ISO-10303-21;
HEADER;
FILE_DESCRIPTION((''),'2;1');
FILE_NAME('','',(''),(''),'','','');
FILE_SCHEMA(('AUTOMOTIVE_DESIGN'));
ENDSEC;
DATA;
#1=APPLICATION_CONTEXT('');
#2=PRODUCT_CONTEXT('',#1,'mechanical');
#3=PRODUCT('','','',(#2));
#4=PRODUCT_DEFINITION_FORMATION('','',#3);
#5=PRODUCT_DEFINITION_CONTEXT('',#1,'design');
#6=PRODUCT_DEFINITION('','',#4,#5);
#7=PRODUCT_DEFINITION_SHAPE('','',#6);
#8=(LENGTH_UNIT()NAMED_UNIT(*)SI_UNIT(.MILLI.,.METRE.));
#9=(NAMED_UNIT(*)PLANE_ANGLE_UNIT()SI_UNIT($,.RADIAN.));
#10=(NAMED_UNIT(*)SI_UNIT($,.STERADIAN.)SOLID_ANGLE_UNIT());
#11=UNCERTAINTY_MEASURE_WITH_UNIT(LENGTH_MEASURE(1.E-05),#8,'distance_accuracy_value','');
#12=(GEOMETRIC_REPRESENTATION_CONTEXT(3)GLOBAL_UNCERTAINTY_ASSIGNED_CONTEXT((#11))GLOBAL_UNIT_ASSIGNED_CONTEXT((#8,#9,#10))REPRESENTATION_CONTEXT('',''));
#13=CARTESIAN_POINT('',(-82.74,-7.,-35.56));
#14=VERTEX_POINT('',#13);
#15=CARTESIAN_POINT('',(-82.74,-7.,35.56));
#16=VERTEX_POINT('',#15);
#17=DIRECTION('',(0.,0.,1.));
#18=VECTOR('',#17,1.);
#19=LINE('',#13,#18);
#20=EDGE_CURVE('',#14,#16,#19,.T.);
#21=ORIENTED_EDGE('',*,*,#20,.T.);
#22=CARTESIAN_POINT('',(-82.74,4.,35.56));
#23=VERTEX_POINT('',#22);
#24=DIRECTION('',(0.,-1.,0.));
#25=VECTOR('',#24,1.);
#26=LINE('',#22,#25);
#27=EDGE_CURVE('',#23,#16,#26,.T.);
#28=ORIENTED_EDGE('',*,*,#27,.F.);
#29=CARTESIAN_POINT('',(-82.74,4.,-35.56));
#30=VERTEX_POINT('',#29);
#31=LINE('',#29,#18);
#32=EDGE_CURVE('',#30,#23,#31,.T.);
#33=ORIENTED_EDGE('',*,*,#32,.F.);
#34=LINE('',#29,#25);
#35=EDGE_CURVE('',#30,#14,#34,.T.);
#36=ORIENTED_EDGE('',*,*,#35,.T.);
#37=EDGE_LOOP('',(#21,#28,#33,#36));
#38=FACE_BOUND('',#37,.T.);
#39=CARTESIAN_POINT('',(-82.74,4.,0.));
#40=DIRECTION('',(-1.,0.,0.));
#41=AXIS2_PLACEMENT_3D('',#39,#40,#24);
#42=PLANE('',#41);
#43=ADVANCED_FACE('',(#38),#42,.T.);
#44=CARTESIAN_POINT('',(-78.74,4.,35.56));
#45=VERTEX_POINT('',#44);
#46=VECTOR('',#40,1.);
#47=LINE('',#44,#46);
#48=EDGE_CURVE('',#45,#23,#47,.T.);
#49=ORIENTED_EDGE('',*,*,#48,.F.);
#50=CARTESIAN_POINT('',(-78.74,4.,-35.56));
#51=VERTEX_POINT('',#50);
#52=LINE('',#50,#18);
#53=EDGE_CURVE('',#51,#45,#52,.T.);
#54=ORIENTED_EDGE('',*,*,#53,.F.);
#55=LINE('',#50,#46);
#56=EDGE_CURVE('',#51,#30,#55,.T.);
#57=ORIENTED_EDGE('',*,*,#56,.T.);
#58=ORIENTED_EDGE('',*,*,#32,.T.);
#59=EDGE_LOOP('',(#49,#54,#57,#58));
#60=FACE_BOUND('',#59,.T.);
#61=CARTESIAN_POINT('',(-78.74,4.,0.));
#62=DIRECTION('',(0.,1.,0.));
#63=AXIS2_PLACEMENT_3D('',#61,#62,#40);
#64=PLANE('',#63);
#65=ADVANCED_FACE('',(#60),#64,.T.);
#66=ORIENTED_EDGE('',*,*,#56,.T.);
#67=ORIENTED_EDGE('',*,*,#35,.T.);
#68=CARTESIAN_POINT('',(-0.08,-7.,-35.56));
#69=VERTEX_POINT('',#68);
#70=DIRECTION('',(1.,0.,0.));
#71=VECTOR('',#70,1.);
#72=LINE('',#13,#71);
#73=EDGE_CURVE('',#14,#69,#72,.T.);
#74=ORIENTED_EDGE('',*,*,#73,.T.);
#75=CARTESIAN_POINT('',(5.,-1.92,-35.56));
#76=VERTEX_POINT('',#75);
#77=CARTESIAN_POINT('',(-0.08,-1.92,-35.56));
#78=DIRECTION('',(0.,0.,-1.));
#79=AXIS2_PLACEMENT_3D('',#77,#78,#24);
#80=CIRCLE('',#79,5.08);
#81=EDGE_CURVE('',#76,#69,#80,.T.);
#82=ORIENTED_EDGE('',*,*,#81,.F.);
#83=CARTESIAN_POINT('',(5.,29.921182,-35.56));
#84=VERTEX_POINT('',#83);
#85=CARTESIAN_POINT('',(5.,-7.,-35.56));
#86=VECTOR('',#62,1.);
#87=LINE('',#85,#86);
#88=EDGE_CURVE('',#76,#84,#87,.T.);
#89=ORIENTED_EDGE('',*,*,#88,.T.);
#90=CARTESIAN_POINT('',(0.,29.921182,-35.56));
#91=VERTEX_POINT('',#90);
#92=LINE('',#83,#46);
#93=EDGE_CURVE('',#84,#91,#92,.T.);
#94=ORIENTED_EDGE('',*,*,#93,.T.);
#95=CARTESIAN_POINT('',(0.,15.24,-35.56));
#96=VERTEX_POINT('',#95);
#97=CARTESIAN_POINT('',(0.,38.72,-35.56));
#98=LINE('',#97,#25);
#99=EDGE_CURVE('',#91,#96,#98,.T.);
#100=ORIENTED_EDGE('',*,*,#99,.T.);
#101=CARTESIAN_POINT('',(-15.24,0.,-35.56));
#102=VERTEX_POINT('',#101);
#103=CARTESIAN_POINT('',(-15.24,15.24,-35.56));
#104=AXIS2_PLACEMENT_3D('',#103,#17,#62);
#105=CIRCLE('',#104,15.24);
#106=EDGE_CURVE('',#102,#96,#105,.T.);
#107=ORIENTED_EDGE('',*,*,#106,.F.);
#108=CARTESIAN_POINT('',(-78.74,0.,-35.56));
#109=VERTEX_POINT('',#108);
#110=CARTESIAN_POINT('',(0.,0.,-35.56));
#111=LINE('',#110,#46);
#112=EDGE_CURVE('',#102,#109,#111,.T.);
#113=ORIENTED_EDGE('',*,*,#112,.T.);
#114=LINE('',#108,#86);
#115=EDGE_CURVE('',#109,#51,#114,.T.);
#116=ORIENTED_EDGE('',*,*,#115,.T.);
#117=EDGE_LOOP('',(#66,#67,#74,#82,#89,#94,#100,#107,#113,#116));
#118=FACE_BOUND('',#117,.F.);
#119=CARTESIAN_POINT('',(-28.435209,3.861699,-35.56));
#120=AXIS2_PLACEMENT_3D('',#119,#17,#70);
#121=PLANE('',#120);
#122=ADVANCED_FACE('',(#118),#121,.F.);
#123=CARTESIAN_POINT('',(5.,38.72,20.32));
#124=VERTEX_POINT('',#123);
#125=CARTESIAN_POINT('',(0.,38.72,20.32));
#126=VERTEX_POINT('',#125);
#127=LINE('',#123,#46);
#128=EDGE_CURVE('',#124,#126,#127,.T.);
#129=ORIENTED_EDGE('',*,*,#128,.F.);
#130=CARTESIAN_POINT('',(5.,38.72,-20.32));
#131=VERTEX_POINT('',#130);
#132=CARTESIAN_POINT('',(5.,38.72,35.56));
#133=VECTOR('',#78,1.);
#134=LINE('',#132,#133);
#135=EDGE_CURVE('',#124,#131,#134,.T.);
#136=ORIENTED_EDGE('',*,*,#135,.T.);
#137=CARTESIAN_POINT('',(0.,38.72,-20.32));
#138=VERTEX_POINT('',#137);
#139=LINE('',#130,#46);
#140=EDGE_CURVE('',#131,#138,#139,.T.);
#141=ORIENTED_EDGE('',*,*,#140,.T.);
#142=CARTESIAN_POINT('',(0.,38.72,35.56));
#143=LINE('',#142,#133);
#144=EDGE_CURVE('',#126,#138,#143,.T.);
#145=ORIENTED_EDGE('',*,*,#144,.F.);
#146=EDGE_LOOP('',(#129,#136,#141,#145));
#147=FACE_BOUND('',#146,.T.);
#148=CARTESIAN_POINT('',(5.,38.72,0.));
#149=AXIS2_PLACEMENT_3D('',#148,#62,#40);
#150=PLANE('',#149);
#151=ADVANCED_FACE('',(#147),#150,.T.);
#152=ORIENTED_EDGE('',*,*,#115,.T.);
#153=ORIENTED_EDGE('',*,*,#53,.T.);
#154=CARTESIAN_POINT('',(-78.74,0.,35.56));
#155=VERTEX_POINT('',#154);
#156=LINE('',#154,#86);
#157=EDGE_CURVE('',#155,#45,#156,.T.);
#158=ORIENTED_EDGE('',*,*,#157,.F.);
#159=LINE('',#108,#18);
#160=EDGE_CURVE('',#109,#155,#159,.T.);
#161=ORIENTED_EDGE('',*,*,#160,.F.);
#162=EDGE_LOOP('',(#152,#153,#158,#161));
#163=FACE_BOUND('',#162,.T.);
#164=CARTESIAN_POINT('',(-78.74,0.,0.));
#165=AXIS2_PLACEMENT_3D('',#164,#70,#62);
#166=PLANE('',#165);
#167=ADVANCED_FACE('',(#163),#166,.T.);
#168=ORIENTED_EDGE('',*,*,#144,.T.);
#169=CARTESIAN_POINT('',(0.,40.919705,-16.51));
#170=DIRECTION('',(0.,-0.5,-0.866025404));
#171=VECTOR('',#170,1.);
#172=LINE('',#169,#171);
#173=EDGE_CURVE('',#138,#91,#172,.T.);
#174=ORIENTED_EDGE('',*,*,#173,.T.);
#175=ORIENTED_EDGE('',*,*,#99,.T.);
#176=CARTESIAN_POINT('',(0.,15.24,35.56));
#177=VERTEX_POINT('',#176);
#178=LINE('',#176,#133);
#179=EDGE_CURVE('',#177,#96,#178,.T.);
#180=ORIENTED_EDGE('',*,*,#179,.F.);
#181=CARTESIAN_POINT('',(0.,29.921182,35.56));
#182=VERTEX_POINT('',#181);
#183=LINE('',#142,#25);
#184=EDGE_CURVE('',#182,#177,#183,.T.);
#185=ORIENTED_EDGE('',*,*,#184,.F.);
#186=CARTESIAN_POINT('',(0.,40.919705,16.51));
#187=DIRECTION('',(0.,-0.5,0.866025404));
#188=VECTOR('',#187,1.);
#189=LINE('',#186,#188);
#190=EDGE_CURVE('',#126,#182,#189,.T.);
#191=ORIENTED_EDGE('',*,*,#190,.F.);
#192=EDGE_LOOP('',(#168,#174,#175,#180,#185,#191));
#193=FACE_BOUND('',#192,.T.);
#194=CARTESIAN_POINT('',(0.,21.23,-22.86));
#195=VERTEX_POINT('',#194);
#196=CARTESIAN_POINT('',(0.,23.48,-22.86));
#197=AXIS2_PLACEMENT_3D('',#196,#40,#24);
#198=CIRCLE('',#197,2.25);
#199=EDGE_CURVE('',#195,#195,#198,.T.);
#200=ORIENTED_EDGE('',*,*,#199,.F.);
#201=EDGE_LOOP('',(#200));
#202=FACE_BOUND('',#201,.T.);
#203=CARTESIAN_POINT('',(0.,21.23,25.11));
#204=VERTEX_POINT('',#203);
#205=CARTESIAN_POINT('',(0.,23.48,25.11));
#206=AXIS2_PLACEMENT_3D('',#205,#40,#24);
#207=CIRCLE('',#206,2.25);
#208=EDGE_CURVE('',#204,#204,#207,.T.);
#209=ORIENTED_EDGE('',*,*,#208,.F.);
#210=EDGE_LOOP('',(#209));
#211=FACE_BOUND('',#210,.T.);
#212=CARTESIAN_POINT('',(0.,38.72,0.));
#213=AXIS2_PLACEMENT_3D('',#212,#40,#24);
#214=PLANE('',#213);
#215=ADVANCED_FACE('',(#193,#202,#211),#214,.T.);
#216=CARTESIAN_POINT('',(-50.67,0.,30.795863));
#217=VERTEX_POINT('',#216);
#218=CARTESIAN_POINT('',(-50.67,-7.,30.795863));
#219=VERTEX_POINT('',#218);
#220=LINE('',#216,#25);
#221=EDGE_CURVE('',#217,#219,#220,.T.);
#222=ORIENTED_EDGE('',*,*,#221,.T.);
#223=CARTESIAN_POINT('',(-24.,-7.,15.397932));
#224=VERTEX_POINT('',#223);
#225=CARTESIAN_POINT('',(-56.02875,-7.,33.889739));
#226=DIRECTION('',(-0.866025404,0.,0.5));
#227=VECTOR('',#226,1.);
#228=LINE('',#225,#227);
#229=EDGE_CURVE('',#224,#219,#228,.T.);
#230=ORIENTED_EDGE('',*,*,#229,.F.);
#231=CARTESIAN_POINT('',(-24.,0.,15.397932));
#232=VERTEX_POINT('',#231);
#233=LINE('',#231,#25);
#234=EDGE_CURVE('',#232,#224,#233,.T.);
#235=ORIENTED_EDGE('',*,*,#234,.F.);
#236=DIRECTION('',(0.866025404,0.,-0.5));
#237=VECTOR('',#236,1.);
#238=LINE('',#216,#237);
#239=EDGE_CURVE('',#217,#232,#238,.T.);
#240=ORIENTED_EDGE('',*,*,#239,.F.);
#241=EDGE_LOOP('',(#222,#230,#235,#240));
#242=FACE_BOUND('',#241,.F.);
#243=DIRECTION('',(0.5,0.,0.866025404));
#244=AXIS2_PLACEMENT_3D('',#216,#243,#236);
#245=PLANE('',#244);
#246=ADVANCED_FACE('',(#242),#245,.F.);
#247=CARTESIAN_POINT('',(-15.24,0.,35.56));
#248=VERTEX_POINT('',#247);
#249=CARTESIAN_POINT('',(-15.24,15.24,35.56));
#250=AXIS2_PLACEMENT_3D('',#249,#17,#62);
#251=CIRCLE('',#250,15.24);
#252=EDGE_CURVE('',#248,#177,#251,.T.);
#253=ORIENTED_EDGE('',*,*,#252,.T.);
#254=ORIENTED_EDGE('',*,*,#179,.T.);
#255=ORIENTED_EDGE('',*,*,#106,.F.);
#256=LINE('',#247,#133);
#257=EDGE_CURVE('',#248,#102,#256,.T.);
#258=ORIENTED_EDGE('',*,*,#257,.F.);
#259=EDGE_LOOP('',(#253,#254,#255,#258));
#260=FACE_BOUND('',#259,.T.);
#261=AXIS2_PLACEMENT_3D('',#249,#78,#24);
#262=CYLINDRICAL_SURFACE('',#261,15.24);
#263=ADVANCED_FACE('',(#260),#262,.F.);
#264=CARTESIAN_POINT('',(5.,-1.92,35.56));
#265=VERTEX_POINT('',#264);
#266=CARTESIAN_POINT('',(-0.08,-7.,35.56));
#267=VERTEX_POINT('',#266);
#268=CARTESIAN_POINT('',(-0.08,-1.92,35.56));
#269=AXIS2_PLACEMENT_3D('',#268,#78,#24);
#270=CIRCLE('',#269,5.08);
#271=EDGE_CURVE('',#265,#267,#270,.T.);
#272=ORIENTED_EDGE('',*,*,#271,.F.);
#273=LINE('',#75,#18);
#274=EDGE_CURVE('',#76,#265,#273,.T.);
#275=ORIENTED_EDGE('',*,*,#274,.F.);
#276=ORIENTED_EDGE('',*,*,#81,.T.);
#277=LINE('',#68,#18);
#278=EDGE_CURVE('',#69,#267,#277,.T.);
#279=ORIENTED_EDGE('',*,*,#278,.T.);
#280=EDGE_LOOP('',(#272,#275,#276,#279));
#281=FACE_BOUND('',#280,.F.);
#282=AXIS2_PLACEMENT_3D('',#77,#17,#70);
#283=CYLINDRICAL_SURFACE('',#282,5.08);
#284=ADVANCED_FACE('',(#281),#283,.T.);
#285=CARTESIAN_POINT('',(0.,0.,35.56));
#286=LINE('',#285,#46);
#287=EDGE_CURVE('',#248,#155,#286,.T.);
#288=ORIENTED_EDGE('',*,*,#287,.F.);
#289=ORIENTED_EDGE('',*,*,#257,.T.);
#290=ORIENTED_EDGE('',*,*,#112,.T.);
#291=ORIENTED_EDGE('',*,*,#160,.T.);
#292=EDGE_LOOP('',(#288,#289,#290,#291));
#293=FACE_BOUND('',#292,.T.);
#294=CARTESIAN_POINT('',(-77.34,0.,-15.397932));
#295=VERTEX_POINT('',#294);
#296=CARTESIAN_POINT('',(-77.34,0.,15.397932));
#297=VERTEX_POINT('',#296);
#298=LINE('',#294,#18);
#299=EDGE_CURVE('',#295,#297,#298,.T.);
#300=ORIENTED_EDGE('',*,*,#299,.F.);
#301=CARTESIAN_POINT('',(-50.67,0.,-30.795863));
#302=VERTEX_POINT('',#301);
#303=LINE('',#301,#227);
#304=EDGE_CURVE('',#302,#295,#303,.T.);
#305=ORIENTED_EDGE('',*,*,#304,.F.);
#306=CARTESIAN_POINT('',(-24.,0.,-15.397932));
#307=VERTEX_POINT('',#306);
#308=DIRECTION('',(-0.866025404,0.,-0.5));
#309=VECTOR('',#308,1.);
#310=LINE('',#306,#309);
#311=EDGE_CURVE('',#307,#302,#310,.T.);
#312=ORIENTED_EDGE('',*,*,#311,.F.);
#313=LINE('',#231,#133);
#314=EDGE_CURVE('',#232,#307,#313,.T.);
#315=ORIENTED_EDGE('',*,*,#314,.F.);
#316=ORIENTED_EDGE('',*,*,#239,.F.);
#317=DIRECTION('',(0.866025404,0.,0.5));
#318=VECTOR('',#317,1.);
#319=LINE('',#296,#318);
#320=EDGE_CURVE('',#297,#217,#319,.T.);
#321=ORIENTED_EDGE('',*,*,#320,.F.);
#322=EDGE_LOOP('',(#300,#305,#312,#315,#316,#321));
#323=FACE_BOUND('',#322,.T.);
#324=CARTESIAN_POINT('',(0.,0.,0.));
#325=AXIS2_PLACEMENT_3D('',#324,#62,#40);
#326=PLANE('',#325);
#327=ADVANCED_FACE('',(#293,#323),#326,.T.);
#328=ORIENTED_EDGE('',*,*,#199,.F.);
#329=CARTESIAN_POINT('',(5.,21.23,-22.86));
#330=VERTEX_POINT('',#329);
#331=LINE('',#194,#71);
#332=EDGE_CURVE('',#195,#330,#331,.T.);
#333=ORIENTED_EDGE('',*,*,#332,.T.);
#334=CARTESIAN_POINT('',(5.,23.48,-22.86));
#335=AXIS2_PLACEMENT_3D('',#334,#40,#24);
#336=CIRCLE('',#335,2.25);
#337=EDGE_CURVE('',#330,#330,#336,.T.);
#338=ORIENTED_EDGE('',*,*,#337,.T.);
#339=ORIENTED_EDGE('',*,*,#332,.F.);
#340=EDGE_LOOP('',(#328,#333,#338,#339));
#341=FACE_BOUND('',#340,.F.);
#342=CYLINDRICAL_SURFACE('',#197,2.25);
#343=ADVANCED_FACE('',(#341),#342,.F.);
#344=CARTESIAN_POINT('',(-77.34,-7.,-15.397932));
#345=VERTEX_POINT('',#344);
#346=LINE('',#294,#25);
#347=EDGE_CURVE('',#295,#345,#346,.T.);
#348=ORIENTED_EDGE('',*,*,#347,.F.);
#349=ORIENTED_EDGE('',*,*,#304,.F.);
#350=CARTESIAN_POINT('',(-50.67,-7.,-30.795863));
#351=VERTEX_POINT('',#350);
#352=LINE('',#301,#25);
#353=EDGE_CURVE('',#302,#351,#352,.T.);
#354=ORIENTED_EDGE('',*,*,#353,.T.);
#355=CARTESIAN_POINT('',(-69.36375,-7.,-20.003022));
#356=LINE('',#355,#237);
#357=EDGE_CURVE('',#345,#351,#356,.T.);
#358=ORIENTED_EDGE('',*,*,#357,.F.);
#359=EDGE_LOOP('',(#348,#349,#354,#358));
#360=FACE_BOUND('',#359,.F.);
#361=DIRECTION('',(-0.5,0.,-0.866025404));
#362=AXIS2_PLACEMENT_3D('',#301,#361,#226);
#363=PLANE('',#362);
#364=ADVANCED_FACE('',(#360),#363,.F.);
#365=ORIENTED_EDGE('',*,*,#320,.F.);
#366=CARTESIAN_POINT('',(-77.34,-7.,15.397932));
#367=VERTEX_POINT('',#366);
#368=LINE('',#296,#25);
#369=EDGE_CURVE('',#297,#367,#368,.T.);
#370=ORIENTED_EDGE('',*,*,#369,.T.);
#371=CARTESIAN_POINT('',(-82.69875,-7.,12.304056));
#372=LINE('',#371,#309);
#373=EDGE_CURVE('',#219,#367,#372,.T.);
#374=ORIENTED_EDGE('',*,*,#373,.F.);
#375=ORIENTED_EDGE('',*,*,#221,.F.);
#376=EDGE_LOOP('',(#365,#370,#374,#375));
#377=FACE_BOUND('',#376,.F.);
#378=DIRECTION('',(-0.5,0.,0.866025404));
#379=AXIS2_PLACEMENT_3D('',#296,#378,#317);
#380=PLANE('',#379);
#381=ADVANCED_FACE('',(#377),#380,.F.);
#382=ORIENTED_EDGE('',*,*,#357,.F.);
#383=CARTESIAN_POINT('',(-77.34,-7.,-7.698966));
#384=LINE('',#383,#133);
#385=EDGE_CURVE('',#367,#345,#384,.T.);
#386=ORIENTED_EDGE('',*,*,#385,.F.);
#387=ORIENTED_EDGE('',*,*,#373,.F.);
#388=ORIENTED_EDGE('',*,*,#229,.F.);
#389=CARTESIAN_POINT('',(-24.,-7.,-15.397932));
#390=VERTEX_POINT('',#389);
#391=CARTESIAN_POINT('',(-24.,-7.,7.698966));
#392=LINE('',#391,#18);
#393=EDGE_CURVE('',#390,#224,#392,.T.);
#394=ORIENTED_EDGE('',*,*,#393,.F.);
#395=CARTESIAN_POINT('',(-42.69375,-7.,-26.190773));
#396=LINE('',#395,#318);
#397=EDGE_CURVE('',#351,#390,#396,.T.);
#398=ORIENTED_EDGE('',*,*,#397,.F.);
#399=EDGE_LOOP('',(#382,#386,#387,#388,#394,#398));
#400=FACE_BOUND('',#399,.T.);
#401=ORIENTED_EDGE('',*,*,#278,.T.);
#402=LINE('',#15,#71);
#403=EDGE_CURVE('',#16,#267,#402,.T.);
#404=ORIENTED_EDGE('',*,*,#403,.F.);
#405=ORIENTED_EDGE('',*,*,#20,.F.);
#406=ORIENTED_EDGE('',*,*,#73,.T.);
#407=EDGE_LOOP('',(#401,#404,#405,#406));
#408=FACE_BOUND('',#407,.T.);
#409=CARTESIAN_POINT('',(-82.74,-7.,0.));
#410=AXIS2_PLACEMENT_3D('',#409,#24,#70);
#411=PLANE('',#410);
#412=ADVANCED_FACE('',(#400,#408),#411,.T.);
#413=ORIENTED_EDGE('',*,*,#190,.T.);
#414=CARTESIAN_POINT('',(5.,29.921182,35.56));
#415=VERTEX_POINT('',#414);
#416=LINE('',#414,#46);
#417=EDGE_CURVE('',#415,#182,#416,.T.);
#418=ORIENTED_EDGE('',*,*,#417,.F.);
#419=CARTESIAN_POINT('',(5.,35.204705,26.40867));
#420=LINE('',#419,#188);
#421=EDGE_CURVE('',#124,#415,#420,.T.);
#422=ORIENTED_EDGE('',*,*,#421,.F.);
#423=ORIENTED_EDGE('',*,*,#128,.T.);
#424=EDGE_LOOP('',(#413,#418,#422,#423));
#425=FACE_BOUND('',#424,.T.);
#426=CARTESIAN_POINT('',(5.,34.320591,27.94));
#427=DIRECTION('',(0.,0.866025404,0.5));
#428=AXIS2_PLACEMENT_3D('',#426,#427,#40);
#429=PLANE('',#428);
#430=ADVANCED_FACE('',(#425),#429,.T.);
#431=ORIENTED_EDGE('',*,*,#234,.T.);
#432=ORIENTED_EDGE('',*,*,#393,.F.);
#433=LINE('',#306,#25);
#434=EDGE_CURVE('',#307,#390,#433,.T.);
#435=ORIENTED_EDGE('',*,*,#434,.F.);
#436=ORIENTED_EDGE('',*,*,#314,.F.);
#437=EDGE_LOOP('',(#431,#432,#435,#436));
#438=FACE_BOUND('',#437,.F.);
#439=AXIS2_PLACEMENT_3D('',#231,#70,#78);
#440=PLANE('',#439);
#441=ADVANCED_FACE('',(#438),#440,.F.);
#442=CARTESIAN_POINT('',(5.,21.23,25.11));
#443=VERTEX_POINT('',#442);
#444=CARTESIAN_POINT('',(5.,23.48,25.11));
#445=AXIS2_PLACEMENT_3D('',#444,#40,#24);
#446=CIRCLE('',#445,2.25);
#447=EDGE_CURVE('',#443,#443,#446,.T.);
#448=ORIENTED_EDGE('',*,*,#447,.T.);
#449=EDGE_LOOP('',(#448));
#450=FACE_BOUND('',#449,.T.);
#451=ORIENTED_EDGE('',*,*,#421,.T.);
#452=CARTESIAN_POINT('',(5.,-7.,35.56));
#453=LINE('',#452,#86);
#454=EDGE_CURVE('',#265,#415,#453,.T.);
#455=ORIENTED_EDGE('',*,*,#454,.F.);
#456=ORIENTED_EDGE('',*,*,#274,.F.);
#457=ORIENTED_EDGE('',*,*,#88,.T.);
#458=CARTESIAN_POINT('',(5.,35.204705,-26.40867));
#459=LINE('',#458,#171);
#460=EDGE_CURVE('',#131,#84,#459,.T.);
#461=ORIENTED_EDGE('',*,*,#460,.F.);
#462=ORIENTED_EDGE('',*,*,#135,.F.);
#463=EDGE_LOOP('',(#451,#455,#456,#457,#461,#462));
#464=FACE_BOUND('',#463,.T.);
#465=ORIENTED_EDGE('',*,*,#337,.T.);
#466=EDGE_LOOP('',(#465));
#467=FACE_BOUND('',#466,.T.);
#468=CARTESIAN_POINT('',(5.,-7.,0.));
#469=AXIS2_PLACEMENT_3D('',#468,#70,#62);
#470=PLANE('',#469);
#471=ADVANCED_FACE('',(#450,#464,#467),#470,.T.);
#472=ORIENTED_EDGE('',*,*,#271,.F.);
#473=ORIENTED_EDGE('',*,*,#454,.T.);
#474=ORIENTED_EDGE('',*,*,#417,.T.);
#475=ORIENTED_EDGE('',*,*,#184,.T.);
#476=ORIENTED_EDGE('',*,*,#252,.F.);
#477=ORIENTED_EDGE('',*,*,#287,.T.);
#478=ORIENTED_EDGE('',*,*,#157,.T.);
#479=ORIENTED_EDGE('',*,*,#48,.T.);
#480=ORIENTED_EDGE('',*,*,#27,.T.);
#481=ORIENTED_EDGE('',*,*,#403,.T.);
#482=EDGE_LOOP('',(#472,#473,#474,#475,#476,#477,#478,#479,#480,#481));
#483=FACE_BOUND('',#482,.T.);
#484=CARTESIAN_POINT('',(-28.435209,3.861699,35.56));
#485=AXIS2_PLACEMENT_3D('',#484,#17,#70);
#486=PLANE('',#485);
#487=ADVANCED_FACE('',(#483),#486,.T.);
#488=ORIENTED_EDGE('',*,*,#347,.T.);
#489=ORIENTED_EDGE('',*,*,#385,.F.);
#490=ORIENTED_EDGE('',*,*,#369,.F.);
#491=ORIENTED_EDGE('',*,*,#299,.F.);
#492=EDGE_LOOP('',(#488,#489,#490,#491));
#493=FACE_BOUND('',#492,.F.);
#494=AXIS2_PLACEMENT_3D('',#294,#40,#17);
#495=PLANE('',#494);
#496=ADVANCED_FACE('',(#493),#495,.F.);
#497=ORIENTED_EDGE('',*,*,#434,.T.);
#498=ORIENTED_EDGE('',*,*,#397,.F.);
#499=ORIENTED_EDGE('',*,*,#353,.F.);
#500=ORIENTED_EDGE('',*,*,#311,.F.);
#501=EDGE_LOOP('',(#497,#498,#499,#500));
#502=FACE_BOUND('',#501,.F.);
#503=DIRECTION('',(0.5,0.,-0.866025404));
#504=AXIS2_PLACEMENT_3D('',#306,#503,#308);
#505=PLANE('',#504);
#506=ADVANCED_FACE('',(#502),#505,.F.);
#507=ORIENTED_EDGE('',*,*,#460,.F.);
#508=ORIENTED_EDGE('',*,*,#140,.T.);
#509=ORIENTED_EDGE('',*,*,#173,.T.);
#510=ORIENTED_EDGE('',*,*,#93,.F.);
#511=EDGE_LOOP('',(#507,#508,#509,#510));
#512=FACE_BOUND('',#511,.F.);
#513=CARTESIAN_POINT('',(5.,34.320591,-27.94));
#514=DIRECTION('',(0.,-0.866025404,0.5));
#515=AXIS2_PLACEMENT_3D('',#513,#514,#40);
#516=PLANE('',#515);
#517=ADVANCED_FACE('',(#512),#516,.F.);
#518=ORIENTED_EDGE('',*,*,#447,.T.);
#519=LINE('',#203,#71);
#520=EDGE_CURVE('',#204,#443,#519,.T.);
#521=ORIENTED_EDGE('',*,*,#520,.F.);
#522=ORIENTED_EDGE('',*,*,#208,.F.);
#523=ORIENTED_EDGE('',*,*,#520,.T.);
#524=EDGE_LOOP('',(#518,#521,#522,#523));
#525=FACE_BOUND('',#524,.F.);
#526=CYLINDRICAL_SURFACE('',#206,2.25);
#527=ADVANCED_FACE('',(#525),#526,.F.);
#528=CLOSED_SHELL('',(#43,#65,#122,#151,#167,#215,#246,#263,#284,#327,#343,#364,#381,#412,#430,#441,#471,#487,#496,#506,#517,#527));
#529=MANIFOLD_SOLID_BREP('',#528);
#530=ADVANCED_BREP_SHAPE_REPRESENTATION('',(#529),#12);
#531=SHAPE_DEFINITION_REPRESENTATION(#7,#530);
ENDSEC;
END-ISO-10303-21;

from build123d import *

# Parameters (mm, degrees)
F1_DEPTH = 35.56
F3_DEPTH = 7.001
F4_R     = 15.24
F5_R     = 5.08
F6_R     = 2.25
F7_DEPTH = 5.001
F8_SIZE2 = 8.7988181024
F8_SIZE  = 15.24


with BuildPart() as f1:
    # F0 (on Top) → F1 (new body, symmetric)
    with BuildSketch(Plane.XY):
        Polygon((0, 0), (-78.74, 0), (-78.74, 4), (-82.74, 4), (-82.74, -7), (5, -7), (5, 38.72), (0, 38.72), align=None)
    extrude(amount=F1_DEPTH, both=True)

    # F2 (on face) → F3 (cut, through all)
    with BuildSketch(Plane(origin=(0, 0, 0), x_dir=(-1, 0, 0), z_dir=(0, 1, 0))):
        Polygon((77.34, 15.3979316793), (50.67, 30.7958633586), (24, 15.3979316793), (24, -15.3979316793), (50.67, -30.7958633586), (77.34, -15.3979316793), align=None)
    extrude(amount=-F3_DEPTH, mode=Mode.SUBTRACT)

    # F4
    f4_edges = [f1.edges().sort_by_distance(p)[0] for p in [
        (0, 0, 0),
    ]]
    fillet(f4_edges, radius=F4_R)

    # F5
    f5_edges = [f1.edges().sort_by_distance(p)[0] for p in [
        (5, -7, 0),
    ]]
    fillet(f5_edges, radius=F5_R)

    # F6 (on face) → F7 (cut, through all)
    with BuildSketch(Plane(origin=(0, 0, 0), x_dir=(0, -1, 0), z_dir=(-1, 0, 0))):
        with Locations((-23.48, 25.11)):
            Circle(F6_R)
        with Locations((-23.48, -22.86)):
            Circle(F6_R)
    extrude(amount=-F7_DEPTH, mode=Mode.SUBTRACT)

    # F8
    f8_edges = [f1.edges().sort_by_distance(p)[0] for p in [
        (2.5, 38.72, 35.56),
        (2.5, 38.72, -35.56),
    ]]
    f8_side = f1.faces().sort_by_distance((2.5, 38.72, 0))[0]
    chamfer(f8_edges, length=F8_SIZE, length2=F8_SIZE2, reference=f8_side)


solid = f1.part
